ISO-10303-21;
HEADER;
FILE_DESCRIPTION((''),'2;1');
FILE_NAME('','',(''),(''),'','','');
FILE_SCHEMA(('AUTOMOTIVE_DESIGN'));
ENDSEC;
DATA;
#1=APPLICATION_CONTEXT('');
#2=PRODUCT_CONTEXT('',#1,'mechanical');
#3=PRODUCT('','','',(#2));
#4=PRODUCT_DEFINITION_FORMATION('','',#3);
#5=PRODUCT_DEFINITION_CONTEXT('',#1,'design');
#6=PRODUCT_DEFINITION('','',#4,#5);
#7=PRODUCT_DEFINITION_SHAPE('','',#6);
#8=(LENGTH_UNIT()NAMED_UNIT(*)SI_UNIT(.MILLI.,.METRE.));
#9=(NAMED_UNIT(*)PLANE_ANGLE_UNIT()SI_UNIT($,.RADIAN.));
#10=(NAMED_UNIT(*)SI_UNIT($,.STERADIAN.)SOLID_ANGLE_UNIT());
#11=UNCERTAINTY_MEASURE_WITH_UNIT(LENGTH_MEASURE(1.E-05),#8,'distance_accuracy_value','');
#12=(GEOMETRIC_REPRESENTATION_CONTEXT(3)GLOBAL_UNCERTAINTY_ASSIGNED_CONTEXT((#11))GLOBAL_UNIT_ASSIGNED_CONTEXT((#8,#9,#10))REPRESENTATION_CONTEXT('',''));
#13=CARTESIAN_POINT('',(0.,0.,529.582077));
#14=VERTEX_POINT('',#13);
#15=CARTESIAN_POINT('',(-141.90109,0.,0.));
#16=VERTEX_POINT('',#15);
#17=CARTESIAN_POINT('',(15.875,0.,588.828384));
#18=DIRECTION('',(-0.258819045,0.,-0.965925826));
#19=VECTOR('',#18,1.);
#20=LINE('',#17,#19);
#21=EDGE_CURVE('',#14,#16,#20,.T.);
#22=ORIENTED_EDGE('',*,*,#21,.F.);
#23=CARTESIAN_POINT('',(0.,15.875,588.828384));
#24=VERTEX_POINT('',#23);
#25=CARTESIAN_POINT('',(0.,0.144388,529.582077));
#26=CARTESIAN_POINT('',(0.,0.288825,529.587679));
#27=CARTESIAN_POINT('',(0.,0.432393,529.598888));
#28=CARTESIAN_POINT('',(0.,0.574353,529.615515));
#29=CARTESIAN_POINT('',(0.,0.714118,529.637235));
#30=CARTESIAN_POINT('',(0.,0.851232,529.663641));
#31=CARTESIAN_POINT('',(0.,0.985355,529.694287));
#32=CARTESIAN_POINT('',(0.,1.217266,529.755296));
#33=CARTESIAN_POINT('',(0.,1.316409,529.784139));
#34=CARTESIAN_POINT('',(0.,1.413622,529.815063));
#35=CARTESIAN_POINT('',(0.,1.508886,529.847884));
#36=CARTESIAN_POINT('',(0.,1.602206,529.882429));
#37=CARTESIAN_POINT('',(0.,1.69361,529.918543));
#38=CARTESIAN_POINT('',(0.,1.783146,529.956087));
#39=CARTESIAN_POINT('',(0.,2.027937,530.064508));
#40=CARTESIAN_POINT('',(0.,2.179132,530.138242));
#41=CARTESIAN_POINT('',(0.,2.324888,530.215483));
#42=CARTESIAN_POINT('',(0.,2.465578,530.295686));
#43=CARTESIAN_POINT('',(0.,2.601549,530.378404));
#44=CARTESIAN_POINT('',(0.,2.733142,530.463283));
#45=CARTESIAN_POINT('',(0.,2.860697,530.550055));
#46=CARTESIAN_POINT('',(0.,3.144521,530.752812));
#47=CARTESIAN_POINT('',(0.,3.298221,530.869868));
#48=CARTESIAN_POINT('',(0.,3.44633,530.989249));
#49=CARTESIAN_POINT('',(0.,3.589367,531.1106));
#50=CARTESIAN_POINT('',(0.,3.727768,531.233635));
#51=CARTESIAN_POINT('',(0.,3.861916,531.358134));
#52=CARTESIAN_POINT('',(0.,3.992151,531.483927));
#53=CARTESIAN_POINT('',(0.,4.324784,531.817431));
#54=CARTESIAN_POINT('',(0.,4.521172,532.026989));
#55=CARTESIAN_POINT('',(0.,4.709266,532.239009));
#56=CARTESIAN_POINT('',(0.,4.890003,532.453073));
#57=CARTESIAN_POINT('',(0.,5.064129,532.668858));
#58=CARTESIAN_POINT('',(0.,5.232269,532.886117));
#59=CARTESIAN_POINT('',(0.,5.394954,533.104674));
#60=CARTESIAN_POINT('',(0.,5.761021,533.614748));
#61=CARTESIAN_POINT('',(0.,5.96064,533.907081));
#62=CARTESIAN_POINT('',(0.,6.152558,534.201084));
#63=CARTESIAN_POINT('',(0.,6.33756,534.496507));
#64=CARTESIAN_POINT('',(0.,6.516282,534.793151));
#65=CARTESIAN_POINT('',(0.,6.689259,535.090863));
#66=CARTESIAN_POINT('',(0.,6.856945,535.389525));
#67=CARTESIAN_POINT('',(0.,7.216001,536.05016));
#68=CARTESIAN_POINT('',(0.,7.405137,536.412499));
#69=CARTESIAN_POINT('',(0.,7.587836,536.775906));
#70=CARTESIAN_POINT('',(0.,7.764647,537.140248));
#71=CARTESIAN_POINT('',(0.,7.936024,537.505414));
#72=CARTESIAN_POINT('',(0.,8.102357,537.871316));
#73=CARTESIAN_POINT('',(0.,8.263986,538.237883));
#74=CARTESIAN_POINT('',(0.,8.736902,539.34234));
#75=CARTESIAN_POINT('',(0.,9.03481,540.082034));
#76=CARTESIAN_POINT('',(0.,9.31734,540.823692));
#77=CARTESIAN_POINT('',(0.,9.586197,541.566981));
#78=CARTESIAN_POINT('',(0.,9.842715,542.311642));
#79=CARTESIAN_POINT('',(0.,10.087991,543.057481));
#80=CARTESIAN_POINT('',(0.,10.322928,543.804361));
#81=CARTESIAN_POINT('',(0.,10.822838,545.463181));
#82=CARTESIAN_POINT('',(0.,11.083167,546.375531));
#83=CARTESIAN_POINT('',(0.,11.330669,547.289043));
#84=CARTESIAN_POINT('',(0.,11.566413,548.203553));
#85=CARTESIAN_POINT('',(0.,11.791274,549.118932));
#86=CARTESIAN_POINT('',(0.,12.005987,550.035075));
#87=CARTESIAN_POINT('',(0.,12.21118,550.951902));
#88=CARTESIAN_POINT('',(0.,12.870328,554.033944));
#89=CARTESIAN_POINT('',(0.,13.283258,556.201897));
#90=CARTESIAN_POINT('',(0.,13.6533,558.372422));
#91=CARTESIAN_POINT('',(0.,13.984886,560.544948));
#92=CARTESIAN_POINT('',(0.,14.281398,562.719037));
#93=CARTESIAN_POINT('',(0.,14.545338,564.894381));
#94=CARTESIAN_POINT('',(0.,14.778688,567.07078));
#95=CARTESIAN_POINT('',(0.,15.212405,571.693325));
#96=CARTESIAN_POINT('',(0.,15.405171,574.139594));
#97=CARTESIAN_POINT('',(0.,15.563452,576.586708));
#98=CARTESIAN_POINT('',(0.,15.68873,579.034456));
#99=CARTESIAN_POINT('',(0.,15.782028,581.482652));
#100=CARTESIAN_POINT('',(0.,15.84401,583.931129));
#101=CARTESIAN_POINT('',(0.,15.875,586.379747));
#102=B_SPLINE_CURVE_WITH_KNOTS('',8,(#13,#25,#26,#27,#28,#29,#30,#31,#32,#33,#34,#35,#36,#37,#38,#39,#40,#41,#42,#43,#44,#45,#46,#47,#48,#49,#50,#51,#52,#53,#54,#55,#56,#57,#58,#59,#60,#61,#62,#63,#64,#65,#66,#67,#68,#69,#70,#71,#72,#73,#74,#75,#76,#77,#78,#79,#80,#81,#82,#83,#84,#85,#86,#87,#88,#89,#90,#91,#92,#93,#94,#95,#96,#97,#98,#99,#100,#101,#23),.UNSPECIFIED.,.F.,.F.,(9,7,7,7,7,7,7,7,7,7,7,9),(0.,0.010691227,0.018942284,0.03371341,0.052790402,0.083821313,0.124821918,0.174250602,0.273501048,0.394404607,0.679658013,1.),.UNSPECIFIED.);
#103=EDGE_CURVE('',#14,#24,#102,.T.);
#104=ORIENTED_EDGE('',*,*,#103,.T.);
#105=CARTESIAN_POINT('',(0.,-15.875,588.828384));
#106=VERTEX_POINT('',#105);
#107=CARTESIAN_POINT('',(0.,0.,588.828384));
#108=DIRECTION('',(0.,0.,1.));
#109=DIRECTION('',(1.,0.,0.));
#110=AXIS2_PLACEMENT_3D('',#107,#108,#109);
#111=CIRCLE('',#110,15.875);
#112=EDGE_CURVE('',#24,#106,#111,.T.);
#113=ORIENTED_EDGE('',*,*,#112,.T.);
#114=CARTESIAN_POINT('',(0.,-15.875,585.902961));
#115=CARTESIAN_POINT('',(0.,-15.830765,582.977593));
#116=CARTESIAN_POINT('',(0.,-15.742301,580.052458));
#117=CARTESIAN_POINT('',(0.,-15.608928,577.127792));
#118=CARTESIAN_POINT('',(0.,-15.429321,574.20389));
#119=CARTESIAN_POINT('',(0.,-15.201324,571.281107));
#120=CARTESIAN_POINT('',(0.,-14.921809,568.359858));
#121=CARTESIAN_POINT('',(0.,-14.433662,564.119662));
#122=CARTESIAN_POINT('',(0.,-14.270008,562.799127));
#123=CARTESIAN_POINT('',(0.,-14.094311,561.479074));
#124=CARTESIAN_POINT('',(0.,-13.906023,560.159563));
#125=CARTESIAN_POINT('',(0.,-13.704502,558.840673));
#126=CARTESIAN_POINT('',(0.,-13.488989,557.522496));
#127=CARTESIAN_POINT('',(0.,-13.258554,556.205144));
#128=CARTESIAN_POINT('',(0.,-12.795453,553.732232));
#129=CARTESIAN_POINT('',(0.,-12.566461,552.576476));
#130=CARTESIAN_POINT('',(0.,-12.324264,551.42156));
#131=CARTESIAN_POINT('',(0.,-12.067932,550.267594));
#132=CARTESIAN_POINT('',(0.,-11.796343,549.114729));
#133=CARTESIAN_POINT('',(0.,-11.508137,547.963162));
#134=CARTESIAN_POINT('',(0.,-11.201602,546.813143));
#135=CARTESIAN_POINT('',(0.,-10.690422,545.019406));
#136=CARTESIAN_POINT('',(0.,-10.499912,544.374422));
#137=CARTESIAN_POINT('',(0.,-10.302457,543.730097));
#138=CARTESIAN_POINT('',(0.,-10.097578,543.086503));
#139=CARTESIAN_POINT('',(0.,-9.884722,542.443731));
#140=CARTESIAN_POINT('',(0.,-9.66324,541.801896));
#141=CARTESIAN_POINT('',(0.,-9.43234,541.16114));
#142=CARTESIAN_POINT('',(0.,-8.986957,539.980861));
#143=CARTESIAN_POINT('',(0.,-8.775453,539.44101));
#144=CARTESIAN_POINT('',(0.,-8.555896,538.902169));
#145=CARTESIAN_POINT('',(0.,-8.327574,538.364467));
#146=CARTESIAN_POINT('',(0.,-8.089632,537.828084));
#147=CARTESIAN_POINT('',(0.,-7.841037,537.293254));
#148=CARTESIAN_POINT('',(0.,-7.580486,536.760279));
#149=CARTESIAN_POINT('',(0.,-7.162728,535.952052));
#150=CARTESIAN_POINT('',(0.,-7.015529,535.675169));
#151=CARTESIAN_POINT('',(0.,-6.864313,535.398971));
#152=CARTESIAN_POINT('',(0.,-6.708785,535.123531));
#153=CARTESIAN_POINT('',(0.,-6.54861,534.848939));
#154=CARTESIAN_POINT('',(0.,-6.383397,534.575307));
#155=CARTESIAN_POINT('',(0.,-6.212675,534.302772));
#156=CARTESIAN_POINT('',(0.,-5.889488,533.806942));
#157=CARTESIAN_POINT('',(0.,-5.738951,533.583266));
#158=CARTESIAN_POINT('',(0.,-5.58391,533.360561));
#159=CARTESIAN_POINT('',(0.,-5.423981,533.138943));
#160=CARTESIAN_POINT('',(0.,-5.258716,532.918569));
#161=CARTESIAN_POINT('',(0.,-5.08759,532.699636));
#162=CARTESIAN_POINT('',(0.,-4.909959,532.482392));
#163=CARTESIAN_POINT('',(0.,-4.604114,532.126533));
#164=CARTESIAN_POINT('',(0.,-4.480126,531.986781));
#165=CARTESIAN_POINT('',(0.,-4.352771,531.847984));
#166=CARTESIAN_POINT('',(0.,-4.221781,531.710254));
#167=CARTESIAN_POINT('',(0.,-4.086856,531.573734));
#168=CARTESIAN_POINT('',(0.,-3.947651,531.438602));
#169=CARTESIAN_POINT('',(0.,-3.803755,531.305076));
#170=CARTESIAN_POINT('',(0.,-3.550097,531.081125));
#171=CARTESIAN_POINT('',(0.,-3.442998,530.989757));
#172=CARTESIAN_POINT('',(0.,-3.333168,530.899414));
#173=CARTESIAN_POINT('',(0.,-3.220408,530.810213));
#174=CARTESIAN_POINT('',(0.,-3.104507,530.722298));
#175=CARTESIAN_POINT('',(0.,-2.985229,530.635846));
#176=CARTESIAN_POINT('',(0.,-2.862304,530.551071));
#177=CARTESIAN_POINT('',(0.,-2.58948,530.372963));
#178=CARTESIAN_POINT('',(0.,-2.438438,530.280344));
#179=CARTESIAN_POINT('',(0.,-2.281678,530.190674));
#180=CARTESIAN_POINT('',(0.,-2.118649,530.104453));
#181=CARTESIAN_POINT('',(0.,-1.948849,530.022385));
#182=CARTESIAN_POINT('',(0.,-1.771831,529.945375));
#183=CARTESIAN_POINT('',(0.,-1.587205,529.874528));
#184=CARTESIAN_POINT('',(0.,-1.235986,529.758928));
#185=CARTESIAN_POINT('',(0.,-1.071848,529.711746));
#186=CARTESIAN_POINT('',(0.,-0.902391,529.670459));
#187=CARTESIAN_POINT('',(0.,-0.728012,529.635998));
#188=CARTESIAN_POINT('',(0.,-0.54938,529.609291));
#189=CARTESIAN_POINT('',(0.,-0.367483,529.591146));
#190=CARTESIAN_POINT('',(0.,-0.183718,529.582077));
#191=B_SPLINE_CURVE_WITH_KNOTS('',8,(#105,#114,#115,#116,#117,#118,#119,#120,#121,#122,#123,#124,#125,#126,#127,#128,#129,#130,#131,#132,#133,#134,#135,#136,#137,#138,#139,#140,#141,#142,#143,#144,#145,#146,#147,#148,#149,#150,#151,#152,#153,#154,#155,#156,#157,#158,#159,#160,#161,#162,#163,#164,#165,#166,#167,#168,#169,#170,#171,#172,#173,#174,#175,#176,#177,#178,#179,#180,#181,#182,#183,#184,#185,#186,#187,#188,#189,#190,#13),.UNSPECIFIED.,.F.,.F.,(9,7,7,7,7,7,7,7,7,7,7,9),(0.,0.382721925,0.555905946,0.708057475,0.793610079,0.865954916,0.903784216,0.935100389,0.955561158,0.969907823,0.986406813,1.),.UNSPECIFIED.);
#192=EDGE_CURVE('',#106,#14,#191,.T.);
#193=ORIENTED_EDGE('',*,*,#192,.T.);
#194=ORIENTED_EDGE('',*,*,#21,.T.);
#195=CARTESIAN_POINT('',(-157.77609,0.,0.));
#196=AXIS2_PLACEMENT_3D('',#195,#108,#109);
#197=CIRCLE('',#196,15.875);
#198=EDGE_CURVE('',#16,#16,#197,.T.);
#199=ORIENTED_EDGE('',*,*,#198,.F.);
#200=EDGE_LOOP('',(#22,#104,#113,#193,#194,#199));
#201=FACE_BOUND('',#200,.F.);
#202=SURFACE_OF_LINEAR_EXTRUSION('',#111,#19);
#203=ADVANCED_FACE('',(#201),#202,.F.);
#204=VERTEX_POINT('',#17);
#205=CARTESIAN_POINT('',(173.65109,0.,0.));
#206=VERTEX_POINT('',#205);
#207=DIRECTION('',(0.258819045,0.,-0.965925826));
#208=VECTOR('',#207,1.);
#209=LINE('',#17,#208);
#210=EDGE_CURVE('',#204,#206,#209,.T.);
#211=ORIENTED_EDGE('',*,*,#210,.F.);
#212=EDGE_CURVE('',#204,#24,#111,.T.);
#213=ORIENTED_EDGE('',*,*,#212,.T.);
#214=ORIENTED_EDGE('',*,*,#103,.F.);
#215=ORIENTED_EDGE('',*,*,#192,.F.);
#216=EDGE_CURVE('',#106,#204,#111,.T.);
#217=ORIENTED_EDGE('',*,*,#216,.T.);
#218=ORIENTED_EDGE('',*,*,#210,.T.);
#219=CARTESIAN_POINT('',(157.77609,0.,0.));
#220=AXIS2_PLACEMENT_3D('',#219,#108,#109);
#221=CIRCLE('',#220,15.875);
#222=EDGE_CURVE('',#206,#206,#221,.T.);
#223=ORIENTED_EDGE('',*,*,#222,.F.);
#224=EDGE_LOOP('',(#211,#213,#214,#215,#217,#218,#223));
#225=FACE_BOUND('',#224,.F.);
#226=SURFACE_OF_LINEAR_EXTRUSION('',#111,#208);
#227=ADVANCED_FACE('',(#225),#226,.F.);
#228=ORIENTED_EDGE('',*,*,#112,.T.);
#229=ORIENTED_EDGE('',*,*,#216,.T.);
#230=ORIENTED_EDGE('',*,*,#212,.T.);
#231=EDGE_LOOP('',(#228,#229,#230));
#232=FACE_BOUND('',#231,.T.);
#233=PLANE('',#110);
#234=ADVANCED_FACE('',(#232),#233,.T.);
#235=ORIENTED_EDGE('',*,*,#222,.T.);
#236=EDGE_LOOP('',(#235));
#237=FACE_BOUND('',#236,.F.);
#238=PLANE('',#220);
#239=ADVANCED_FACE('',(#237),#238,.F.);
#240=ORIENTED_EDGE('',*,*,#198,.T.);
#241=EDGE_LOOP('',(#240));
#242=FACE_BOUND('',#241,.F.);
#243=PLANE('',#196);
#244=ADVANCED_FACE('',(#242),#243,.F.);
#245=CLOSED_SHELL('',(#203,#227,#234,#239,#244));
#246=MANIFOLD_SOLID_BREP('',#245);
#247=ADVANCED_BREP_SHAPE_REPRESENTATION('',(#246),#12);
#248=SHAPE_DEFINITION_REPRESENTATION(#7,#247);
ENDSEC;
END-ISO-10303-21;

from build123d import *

# Parameters (mm, degrees)
F1_R = 15.875


with BuildPart() as f2:
    # F2: sweep along a path in F0
    with BuildLine(Plane.XZ) as f2_path:
        Line((0, 588.828384), (157.77609, 0))
    # F1 (on Top) → F2 (sweep)
    with BuildSketch(Plane.XY):
        with Locations((157.77609, 0)):
            Circle(F1_R)
    sweep(path=f2_path.line)

    # F3: sweep along a path in F0
    with BuildLine(Plane.XZ) as f3_path:
        Line((0, 588.828384), (-157.77609, 0))
    # F1 (on Top) → F3 (sweep)
    with BuildSketch(Plane.XY):
        with Locations((-157.77609, 0)):
            Circle(F1_R)
    sweep(path=f3_path.line)


solid = f2.part
